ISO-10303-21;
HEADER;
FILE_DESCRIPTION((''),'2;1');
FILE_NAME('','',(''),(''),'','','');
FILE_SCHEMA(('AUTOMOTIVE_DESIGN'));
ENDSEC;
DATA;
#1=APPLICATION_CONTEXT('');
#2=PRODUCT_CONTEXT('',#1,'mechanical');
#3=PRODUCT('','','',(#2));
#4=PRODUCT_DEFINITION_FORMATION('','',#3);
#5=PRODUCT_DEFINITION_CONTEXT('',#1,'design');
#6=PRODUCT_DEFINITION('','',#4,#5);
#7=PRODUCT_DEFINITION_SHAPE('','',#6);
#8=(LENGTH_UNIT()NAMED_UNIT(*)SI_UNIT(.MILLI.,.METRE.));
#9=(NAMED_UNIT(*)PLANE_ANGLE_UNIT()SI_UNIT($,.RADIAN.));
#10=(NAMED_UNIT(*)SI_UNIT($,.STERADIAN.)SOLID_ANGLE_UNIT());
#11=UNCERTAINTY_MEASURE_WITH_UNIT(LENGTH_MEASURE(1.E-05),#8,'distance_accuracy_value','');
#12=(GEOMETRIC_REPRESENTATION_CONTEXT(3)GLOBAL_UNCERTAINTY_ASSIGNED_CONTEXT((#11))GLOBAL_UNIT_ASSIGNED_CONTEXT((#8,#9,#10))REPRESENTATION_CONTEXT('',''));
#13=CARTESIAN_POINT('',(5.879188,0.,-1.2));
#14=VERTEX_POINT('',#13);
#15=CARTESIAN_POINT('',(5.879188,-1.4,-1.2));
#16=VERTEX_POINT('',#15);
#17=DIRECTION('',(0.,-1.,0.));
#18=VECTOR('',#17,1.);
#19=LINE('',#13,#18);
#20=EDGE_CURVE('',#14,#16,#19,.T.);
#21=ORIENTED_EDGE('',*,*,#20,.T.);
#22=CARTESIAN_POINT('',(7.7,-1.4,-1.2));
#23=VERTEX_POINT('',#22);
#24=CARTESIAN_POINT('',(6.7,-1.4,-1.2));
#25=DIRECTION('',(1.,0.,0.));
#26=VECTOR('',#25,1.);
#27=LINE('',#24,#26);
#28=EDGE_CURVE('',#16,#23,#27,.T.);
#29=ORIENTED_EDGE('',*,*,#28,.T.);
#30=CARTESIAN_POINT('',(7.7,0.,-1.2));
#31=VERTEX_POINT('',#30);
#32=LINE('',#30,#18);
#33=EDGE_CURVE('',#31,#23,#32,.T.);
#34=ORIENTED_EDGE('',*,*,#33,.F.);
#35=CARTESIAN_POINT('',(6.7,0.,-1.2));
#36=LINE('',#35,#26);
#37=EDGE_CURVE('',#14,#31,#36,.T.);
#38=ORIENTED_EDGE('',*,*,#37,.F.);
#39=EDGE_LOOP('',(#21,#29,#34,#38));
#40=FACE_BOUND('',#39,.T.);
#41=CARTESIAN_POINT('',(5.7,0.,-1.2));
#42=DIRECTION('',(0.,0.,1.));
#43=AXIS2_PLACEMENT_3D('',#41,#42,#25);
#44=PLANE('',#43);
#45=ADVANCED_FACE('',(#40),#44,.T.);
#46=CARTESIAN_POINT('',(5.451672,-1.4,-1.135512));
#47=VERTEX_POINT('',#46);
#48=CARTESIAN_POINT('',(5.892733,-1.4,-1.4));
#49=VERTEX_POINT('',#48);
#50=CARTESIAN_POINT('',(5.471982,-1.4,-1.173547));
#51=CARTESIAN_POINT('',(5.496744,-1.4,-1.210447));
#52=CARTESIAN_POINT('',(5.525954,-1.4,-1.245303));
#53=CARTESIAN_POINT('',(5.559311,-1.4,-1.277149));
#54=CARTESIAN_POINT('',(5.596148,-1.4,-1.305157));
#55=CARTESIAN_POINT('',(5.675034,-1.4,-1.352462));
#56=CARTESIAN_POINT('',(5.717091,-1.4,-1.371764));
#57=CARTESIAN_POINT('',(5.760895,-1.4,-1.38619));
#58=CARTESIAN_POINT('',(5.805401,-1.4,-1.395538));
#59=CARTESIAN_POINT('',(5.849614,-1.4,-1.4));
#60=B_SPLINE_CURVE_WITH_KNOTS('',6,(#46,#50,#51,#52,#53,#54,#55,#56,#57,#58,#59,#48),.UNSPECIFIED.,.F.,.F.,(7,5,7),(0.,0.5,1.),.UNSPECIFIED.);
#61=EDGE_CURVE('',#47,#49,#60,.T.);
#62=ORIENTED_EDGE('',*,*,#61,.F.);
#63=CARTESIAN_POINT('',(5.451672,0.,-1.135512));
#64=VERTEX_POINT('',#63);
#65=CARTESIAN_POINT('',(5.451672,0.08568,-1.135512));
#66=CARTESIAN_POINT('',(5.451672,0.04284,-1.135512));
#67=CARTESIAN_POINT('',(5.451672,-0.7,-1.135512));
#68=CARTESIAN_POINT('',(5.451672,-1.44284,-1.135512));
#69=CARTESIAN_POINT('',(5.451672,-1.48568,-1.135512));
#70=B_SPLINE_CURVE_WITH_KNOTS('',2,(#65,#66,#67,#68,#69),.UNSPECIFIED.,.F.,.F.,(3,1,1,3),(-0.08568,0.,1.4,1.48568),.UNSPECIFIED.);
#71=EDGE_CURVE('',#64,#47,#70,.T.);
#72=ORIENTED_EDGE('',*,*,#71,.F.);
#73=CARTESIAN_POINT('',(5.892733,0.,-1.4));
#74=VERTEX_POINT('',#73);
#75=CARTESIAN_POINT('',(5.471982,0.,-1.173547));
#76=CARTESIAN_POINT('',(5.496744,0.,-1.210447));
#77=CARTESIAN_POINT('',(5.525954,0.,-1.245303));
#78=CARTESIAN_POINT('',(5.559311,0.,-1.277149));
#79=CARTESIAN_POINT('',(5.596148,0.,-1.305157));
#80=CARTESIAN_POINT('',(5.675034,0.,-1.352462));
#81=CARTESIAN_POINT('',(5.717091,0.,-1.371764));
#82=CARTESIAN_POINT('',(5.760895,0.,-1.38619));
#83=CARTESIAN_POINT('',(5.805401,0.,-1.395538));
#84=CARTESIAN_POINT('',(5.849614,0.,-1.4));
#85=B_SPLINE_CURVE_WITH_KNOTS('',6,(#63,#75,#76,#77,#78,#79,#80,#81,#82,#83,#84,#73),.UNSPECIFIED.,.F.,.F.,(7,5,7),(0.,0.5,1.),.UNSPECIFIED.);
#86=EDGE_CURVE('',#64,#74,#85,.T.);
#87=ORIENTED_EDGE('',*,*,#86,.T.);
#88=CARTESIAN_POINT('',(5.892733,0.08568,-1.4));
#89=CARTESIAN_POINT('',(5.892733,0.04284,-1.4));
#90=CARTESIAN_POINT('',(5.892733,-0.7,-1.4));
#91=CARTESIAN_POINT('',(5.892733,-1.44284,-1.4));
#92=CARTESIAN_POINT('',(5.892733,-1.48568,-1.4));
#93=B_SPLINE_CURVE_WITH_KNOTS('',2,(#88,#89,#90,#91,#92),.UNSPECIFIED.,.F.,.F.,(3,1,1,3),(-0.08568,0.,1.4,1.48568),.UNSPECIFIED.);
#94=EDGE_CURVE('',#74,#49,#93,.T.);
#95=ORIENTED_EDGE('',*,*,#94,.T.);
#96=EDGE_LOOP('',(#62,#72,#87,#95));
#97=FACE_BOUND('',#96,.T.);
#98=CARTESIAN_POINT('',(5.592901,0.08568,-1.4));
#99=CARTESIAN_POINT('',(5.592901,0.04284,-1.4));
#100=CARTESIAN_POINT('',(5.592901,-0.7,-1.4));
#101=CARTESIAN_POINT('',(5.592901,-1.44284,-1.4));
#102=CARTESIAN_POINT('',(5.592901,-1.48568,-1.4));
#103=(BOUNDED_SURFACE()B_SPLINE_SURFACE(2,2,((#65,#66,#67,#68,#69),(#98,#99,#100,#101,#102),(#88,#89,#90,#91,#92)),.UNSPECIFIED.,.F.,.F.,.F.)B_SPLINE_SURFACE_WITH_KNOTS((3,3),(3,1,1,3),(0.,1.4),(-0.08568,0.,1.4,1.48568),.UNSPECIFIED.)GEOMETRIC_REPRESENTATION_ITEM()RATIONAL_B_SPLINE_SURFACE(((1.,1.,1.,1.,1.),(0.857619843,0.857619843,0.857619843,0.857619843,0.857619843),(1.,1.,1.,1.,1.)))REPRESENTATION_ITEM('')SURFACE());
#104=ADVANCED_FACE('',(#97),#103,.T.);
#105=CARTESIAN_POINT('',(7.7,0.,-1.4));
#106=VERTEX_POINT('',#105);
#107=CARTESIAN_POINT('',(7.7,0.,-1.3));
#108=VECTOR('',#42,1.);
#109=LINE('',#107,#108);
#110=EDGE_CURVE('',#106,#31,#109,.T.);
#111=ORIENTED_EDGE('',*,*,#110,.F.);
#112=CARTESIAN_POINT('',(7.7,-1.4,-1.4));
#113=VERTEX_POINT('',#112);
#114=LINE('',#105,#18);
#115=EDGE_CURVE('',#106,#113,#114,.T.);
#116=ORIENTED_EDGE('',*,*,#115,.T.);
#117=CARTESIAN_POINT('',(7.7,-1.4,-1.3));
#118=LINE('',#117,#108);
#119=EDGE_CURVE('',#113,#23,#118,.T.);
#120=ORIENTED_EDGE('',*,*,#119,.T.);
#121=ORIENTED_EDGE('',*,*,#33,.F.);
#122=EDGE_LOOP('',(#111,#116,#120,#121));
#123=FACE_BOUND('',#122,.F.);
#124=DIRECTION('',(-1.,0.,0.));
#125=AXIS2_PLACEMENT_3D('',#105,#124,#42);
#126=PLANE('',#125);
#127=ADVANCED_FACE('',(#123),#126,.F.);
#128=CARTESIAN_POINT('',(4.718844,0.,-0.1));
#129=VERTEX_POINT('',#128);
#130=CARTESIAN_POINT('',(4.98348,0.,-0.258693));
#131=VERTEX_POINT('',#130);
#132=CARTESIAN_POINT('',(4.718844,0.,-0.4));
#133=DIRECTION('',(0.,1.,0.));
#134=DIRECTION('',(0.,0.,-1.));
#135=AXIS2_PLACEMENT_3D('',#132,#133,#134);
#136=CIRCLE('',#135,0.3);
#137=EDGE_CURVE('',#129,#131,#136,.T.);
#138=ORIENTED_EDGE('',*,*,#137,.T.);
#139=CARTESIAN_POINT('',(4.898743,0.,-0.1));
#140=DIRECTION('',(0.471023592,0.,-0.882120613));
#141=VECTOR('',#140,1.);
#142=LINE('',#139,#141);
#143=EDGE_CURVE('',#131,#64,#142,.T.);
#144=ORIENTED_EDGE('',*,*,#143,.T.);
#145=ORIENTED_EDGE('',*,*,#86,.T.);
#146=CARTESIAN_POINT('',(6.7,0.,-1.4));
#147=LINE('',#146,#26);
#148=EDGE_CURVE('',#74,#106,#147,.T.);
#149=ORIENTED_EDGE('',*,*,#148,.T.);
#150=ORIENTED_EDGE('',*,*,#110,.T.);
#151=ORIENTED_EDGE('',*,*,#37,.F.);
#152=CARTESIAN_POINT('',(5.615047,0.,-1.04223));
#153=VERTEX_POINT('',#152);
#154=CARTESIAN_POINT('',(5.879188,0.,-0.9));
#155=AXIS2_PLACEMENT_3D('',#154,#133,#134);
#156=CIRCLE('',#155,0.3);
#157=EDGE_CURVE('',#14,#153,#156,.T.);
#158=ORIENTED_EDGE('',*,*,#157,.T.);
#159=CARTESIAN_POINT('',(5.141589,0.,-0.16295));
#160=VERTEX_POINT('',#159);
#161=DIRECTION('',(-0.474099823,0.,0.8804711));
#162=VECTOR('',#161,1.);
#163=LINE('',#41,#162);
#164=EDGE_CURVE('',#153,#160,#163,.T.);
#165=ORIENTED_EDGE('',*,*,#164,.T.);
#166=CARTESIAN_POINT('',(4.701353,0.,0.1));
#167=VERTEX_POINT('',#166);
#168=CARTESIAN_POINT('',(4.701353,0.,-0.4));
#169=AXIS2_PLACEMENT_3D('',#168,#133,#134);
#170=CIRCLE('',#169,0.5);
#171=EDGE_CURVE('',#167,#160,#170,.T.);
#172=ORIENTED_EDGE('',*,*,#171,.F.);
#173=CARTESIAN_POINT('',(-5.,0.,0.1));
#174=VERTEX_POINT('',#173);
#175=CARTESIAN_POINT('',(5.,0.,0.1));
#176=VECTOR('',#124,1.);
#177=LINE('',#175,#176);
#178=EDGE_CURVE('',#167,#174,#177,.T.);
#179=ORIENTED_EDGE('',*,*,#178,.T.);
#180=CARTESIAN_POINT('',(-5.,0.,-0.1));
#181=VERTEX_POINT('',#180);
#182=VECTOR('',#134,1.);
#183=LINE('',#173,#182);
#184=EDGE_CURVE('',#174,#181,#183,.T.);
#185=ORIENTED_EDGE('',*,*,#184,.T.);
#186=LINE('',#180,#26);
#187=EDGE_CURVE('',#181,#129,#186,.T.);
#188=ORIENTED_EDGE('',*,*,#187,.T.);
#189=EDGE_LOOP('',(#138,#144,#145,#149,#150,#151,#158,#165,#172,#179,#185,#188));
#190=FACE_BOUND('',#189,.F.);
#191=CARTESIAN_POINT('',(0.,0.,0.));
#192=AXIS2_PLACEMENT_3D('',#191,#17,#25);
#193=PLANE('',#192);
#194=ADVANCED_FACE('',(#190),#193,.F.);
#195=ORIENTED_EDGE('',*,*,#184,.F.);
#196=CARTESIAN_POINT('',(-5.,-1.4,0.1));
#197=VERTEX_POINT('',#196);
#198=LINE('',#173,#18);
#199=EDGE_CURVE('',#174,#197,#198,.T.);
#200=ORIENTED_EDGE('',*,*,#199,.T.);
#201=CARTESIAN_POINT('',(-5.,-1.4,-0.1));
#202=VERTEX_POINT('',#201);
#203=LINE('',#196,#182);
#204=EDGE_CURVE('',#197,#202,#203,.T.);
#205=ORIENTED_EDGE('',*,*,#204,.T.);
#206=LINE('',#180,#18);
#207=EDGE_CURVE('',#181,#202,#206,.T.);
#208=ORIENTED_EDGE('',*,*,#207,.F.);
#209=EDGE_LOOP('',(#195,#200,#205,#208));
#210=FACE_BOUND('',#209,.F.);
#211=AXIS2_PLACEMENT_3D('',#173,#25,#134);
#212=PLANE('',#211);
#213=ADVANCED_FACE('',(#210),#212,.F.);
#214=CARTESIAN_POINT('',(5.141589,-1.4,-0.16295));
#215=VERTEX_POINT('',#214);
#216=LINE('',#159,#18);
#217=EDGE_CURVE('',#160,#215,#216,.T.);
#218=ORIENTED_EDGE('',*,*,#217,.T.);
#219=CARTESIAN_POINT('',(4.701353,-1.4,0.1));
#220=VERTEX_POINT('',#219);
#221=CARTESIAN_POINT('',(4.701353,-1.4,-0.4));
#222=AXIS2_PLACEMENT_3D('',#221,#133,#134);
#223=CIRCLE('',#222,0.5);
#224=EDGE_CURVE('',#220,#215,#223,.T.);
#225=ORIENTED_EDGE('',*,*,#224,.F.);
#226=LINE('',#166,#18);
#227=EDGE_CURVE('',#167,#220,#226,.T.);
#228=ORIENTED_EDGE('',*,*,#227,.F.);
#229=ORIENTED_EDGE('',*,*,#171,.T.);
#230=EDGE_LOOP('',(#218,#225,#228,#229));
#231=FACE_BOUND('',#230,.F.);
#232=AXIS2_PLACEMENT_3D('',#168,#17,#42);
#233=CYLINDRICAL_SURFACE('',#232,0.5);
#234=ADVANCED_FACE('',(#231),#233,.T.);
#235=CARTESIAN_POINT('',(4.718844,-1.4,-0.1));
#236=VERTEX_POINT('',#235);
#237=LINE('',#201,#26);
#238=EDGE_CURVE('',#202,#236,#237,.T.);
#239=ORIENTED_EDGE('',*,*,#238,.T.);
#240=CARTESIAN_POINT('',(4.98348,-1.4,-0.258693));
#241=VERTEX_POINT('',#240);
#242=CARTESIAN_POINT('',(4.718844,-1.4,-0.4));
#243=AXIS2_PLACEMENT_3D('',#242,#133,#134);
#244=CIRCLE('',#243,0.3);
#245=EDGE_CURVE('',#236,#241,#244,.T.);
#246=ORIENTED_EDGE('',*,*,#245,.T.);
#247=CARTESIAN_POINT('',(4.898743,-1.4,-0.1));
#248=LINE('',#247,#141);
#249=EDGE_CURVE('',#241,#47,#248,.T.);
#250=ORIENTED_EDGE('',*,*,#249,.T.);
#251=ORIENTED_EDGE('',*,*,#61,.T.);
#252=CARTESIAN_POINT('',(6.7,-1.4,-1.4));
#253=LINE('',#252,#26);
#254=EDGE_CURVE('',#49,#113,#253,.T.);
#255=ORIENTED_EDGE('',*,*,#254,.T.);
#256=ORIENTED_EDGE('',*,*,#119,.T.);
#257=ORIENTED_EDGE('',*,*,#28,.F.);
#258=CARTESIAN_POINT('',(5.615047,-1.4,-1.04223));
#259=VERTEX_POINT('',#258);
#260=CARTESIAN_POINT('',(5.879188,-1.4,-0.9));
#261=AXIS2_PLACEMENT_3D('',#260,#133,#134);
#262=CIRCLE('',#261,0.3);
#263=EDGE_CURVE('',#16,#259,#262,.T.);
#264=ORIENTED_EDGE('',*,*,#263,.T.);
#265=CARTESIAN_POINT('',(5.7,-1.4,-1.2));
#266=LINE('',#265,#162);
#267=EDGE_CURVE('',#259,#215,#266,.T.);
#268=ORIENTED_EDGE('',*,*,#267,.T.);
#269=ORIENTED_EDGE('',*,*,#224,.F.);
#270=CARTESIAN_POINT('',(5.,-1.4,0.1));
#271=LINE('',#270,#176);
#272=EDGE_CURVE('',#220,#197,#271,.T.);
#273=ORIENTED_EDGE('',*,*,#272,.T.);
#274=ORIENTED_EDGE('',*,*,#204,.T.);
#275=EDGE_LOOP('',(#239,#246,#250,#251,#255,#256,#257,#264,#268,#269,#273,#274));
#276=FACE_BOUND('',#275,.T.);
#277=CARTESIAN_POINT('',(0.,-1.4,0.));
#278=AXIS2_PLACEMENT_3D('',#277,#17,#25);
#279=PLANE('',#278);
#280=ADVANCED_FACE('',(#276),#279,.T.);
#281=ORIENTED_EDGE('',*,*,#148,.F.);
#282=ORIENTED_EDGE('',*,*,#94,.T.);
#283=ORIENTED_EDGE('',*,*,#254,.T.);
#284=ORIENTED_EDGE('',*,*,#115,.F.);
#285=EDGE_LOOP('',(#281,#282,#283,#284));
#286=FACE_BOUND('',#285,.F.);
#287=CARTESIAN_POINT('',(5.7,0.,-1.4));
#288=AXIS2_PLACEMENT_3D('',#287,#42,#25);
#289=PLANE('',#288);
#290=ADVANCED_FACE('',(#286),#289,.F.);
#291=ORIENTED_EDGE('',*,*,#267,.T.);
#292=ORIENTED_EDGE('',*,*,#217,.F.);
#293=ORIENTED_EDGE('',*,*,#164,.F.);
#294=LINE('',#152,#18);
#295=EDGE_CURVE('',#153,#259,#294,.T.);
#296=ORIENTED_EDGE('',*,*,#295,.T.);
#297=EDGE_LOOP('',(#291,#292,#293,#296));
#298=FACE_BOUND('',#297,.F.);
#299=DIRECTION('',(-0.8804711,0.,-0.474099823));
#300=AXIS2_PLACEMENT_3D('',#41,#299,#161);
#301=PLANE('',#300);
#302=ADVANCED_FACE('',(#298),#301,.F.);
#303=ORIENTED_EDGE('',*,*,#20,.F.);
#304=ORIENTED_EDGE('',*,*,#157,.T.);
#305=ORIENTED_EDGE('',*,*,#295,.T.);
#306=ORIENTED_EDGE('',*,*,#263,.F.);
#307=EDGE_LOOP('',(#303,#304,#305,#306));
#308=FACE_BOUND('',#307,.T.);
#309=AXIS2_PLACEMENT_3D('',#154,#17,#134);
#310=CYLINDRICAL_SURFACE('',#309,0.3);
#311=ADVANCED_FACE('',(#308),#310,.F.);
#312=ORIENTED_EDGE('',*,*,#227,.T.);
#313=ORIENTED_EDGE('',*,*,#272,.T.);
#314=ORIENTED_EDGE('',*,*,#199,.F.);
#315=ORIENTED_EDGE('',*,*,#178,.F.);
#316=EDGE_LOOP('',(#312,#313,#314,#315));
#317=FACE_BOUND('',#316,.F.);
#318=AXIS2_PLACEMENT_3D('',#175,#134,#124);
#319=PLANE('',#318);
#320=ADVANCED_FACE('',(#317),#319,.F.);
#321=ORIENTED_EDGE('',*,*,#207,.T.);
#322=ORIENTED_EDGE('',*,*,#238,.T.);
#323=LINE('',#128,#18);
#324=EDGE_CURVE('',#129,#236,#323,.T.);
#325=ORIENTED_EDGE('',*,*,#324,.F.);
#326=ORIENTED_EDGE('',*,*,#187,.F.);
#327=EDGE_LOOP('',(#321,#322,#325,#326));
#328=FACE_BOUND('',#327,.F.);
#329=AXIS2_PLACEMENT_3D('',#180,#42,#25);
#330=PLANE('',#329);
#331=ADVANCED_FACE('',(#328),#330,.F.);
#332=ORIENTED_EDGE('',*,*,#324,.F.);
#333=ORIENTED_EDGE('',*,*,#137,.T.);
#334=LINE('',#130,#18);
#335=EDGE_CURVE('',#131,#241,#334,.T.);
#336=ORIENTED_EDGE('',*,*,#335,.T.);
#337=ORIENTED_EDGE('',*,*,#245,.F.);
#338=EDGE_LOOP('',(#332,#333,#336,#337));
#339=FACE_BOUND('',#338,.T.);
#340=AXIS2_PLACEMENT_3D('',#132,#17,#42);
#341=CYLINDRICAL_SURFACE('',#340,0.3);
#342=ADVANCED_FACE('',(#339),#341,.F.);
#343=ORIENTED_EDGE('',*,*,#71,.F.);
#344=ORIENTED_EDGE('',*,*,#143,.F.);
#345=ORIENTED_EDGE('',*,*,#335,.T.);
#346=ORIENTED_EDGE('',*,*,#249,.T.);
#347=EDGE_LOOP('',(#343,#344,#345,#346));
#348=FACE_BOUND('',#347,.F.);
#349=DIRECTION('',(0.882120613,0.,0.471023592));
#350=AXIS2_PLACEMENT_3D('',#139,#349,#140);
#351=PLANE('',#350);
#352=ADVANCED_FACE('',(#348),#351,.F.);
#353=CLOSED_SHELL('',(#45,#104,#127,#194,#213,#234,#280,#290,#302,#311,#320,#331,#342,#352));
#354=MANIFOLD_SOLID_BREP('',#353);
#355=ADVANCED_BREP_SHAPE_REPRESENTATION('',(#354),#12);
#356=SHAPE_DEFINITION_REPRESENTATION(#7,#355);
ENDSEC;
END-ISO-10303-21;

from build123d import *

# Parameters (mm, degrees)
F0_W     = 2
F0_H     = 0.2
F1_DEPTH = 1.4
F2_R     = 0.3
F3_R     = 0.5


with BuildPart() as f1:
    # F0 (on Front) → F1 (new body)
    with BuildSketch(Plane.XZ):
        Polygon((5, 0.1), (-5, 0.1), (-5, -0.1), (4.898743, -0.1), (5, -0.1), align=None)
        Polygon((5.7, -1.2), (5, 0.1), (5, -0.1), (4.898743, -0.1), (5.592507, -1.399263), (5.7, -1.4), align=None)
        with Locations((6.7, -1.3)):
            Rectangle(F0_W, F0_H)
    extrude(amount=F1_DEPTH)

    # F2
    f2_edges = [f1.edges().sort_by_distance(p)[0] for p in [
        (5.7, -0.7, -1.2),
        (4.898743, -0.7, -0.1),
    ]]
    fillet(f2_edges, radius=F2_R)

    # F3
    f3_edges = [f1.edges().sort_by_distance(p)[0] for p in [
        (5, -0.7, 0.1),
        (5.592507, -0.7, -1.399263),
    ]]
    fillet(f3_edges, radius=F3_R)


solid = f1.part
